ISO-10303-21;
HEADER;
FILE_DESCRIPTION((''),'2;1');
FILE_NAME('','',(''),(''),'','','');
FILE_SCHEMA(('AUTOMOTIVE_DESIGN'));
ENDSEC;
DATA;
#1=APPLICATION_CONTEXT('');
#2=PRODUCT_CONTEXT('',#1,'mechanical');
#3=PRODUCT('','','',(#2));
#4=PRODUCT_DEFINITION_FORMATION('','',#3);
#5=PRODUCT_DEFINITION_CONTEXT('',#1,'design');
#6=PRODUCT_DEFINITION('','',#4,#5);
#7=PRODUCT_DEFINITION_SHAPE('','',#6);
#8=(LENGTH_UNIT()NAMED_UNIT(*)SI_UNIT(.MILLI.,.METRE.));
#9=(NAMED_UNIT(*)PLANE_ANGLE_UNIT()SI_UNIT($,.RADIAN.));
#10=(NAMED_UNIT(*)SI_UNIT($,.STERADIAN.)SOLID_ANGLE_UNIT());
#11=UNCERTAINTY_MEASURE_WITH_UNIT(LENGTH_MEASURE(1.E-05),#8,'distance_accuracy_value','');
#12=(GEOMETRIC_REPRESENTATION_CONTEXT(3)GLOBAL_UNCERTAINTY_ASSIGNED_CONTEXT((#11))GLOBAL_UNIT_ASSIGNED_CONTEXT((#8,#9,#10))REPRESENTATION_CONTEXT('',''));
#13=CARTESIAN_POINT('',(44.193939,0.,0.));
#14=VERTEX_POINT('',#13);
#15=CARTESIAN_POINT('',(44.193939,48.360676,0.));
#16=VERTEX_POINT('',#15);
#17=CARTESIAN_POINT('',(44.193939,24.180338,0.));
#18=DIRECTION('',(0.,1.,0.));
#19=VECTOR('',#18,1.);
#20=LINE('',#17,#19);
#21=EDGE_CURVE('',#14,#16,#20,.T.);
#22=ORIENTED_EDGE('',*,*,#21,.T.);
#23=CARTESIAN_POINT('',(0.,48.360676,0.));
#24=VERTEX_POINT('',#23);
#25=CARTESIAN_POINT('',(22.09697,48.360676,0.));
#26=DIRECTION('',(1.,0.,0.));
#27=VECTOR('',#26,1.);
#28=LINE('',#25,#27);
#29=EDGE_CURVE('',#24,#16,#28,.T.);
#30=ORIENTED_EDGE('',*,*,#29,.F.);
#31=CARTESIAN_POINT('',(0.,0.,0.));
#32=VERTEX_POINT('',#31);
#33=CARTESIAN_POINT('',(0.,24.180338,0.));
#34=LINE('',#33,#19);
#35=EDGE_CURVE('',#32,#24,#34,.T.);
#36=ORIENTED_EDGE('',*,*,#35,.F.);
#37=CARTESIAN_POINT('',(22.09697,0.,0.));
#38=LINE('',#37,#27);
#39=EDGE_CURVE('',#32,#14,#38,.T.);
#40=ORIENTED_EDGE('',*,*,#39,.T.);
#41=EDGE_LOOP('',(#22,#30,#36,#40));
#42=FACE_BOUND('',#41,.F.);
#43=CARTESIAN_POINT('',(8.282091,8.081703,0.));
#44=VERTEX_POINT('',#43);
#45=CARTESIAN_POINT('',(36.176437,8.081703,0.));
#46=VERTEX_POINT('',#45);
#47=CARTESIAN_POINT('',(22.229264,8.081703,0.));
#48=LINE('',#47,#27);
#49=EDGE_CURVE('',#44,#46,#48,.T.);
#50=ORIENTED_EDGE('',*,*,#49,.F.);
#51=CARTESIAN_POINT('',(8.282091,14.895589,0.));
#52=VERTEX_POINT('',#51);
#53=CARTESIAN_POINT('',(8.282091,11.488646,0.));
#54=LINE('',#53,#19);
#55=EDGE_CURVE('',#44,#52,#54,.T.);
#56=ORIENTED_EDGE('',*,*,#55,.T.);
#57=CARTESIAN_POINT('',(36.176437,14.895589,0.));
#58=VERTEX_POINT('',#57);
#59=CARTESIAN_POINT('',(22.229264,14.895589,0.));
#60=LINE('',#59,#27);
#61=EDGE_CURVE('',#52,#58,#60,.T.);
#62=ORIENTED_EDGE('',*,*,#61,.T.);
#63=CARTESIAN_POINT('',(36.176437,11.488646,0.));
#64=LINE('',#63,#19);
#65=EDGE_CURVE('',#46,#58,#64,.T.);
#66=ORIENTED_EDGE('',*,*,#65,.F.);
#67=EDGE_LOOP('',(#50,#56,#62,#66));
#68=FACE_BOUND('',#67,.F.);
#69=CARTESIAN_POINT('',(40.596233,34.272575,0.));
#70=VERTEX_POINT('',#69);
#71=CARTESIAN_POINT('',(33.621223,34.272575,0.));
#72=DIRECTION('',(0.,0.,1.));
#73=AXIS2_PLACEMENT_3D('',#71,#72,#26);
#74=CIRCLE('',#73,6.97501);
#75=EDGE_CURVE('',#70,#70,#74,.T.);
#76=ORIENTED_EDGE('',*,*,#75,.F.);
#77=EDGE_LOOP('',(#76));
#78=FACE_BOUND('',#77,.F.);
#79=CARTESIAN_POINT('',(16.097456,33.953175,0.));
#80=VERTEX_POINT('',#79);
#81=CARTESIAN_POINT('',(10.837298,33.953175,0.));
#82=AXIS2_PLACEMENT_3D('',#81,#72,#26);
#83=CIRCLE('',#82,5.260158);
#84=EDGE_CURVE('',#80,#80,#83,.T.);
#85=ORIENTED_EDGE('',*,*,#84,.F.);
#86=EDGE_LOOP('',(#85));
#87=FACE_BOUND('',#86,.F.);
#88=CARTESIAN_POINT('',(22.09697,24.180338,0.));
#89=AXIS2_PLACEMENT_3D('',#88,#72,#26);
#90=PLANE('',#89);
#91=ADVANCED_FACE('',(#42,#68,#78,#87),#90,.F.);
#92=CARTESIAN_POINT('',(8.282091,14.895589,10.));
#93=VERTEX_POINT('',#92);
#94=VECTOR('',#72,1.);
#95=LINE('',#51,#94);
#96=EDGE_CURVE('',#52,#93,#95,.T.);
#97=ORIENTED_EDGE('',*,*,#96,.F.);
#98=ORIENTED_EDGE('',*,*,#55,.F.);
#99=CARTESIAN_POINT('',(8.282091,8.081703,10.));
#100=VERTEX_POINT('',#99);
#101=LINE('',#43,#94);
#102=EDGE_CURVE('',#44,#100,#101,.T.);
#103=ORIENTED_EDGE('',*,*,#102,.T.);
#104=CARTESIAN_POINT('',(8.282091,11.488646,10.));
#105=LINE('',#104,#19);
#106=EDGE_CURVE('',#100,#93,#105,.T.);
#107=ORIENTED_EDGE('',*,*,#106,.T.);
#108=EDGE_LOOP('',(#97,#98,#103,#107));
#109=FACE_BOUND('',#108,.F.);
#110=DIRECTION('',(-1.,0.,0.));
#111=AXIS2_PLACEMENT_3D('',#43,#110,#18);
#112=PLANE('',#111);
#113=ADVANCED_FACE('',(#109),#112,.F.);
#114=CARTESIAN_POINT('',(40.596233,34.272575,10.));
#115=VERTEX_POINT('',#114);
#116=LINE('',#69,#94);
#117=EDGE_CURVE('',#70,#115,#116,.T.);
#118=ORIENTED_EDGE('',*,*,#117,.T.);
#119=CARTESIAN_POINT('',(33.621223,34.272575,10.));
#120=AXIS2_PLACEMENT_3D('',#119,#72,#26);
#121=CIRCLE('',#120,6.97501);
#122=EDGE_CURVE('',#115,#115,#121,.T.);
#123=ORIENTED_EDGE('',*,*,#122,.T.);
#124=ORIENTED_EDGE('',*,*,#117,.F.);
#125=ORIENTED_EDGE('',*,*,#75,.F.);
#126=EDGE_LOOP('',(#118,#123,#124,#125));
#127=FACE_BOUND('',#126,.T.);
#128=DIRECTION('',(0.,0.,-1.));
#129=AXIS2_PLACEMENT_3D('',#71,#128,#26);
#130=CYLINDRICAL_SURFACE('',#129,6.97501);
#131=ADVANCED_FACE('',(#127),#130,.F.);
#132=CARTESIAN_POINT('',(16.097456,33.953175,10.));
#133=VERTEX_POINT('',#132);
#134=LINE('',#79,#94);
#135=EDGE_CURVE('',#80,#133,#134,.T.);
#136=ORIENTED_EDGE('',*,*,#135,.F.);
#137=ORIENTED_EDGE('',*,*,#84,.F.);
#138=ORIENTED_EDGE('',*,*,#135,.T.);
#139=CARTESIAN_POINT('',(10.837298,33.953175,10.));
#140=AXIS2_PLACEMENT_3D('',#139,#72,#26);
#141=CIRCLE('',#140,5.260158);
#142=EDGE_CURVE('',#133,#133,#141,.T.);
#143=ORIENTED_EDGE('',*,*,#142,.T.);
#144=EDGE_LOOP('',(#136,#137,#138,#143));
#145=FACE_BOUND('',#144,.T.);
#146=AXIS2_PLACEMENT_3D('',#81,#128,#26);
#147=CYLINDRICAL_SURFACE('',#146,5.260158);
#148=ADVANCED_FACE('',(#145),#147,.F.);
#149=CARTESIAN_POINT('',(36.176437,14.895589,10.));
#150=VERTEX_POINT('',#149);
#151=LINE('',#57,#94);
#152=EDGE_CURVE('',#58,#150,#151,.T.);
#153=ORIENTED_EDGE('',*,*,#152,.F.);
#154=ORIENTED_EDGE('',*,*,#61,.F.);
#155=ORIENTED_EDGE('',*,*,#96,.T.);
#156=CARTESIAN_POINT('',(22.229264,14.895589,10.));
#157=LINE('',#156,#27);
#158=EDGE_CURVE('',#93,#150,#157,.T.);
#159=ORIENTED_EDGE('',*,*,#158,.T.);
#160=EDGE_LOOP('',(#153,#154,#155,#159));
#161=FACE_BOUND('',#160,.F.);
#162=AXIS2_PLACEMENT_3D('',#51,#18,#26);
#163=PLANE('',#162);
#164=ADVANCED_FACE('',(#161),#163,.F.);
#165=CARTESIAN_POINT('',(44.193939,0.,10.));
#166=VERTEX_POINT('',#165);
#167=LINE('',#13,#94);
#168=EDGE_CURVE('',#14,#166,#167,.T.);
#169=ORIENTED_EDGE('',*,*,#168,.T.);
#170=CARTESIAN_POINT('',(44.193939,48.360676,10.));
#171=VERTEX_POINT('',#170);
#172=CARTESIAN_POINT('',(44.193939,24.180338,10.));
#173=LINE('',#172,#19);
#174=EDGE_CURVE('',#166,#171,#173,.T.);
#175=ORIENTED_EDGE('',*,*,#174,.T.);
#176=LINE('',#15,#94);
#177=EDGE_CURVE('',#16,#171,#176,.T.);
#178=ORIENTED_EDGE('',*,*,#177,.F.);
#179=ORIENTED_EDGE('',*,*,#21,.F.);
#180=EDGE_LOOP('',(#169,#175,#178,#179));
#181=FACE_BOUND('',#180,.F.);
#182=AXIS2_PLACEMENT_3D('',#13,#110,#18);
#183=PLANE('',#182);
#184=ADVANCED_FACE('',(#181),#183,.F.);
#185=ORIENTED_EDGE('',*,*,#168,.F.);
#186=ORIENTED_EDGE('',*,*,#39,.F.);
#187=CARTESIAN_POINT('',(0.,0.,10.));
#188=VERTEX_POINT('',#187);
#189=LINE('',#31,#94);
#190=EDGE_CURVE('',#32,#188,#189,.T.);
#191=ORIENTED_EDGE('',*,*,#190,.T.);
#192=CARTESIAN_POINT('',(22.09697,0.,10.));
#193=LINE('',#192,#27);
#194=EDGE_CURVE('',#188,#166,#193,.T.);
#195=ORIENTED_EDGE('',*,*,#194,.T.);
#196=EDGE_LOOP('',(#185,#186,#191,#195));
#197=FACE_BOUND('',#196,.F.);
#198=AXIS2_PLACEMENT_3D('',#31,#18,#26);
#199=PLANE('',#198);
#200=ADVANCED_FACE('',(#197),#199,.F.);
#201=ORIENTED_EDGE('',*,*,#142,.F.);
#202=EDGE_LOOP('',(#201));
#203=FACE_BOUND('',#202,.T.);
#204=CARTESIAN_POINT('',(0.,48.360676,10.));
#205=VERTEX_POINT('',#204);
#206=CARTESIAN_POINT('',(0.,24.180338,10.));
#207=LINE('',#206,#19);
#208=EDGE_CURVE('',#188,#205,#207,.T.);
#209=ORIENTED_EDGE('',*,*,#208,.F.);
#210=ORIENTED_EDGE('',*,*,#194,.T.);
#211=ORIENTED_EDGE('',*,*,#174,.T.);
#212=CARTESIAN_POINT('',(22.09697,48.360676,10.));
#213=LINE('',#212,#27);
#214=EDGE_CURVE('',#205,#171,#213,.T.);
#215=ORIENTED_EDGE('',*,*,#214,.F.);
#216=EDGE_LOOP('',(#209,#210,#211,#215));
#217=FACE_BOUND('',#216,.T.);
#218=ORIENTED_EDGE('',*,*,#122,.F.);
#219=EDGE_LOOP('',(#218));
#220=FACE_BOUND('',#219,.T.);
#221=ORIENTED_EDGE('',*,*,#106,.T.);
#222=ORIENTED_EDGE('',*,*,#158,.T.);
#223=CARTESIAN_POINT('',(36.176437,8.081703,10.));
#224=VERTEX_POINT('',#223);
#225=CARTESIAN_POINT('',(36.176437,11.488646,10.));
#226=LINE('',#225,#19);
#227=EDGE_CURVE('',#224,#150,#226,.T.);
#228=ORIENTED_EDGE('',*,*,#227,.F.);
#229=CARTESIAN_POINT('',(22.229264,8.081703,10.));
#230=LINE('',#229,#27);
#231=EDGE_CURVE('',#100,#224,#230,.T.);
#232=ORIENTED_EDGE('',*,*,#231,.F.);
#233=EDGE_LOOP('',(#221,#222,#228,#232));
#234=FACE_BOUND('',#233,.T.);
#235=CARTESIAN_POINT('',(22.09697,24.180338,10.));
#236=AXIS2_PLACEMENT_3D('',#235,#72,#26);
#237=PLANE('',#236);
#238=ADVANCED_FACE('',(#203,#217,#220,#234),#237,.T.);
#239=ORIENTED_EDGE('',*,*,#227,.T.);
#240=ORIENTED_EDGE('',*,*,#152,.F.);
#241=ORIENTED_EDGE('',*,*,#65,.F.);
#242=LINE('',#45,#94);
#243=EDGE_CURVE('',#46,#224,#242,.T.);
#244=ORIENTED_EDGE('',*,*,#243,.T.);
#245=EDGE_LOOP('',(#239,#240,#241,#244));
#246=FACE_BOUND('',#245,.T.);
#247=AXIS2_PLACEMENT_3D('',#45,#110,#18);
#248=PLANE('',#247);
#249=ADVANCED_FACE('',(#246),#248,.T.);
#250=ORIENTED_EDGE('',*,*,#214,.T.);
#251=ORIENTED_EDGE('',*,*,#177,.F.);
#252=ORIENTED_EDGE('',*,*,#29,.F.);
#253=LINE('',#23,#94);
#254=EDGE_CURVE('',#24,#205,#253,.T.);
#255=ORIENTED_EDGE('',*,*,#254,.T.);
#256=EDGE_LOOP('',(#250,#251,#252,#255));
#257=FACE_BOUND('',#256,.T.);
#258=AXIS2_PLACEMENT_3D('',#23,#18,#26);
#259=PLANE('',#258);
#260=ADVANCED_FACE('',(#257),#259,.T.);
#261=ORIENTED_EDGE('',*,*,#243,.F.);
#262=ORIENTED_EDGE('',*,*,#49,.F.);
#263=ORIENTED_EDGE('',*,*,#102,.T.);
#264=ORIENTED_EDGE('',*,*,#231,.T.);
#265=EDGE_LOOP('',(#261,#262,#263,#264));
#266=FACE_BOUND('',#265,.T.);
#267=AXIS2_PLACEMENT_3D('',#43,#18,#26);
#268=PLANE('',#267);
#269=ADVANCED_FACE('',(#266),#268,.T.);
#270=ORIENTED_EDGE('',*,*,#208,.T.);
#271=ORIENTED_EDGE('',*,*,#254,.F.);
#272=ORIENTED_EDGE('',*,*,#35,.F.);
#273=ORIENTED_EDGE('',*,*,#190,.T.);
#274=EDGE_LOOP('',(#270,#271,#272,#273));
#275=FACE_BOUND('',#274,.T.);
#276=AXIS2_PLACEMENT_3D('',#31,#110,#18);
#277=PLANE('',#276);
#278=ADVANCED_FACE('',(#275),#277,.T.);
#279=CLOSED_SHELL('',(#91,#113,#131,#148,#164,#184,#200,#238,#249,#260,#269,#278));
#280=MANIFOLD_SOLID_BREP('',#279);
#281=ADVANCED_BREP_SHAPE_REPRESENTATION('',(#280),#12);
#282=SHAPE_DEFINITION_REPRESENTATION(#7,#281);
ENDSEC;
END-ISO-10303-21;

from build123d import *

# Parameters (mm, degrees)
SKETCH_W      = 44.193939
SKETCH_H      = 48.360676
SKETCH_R      = 6.97501
SKETCH_R_2    = 5.260158
SKETCH_W_2    = 27.894345
SKETCH_H_2    = 6.813885
EXTRUDE_DEPTH = 10


with BuildPart() as part:
    # Sketch → Extrude (new body)
    with BuildSketch(Plane.XY):
        with Locations((22.09697, 24.180338)):
            Rectangle(SKETCH_W, SKETCH_H)
        with Locations((33.621223, 34.272575)):
            Circle(SKETCH_R, mode=Mode.SUBTRACT)
        with Locations((10.837298, 33.953175)):
            Circle(SKETCH_R_2, mode=Mode.SUBTRACT)
        with Locations((22.229264, 11.488646)):
            Rectangle(SKETCH_W_2, SKETCH_H_2, mode=Mode.SUBTRACT)
    extrude(amount=EXTRUDE_DEPTH)


solid = part.part
